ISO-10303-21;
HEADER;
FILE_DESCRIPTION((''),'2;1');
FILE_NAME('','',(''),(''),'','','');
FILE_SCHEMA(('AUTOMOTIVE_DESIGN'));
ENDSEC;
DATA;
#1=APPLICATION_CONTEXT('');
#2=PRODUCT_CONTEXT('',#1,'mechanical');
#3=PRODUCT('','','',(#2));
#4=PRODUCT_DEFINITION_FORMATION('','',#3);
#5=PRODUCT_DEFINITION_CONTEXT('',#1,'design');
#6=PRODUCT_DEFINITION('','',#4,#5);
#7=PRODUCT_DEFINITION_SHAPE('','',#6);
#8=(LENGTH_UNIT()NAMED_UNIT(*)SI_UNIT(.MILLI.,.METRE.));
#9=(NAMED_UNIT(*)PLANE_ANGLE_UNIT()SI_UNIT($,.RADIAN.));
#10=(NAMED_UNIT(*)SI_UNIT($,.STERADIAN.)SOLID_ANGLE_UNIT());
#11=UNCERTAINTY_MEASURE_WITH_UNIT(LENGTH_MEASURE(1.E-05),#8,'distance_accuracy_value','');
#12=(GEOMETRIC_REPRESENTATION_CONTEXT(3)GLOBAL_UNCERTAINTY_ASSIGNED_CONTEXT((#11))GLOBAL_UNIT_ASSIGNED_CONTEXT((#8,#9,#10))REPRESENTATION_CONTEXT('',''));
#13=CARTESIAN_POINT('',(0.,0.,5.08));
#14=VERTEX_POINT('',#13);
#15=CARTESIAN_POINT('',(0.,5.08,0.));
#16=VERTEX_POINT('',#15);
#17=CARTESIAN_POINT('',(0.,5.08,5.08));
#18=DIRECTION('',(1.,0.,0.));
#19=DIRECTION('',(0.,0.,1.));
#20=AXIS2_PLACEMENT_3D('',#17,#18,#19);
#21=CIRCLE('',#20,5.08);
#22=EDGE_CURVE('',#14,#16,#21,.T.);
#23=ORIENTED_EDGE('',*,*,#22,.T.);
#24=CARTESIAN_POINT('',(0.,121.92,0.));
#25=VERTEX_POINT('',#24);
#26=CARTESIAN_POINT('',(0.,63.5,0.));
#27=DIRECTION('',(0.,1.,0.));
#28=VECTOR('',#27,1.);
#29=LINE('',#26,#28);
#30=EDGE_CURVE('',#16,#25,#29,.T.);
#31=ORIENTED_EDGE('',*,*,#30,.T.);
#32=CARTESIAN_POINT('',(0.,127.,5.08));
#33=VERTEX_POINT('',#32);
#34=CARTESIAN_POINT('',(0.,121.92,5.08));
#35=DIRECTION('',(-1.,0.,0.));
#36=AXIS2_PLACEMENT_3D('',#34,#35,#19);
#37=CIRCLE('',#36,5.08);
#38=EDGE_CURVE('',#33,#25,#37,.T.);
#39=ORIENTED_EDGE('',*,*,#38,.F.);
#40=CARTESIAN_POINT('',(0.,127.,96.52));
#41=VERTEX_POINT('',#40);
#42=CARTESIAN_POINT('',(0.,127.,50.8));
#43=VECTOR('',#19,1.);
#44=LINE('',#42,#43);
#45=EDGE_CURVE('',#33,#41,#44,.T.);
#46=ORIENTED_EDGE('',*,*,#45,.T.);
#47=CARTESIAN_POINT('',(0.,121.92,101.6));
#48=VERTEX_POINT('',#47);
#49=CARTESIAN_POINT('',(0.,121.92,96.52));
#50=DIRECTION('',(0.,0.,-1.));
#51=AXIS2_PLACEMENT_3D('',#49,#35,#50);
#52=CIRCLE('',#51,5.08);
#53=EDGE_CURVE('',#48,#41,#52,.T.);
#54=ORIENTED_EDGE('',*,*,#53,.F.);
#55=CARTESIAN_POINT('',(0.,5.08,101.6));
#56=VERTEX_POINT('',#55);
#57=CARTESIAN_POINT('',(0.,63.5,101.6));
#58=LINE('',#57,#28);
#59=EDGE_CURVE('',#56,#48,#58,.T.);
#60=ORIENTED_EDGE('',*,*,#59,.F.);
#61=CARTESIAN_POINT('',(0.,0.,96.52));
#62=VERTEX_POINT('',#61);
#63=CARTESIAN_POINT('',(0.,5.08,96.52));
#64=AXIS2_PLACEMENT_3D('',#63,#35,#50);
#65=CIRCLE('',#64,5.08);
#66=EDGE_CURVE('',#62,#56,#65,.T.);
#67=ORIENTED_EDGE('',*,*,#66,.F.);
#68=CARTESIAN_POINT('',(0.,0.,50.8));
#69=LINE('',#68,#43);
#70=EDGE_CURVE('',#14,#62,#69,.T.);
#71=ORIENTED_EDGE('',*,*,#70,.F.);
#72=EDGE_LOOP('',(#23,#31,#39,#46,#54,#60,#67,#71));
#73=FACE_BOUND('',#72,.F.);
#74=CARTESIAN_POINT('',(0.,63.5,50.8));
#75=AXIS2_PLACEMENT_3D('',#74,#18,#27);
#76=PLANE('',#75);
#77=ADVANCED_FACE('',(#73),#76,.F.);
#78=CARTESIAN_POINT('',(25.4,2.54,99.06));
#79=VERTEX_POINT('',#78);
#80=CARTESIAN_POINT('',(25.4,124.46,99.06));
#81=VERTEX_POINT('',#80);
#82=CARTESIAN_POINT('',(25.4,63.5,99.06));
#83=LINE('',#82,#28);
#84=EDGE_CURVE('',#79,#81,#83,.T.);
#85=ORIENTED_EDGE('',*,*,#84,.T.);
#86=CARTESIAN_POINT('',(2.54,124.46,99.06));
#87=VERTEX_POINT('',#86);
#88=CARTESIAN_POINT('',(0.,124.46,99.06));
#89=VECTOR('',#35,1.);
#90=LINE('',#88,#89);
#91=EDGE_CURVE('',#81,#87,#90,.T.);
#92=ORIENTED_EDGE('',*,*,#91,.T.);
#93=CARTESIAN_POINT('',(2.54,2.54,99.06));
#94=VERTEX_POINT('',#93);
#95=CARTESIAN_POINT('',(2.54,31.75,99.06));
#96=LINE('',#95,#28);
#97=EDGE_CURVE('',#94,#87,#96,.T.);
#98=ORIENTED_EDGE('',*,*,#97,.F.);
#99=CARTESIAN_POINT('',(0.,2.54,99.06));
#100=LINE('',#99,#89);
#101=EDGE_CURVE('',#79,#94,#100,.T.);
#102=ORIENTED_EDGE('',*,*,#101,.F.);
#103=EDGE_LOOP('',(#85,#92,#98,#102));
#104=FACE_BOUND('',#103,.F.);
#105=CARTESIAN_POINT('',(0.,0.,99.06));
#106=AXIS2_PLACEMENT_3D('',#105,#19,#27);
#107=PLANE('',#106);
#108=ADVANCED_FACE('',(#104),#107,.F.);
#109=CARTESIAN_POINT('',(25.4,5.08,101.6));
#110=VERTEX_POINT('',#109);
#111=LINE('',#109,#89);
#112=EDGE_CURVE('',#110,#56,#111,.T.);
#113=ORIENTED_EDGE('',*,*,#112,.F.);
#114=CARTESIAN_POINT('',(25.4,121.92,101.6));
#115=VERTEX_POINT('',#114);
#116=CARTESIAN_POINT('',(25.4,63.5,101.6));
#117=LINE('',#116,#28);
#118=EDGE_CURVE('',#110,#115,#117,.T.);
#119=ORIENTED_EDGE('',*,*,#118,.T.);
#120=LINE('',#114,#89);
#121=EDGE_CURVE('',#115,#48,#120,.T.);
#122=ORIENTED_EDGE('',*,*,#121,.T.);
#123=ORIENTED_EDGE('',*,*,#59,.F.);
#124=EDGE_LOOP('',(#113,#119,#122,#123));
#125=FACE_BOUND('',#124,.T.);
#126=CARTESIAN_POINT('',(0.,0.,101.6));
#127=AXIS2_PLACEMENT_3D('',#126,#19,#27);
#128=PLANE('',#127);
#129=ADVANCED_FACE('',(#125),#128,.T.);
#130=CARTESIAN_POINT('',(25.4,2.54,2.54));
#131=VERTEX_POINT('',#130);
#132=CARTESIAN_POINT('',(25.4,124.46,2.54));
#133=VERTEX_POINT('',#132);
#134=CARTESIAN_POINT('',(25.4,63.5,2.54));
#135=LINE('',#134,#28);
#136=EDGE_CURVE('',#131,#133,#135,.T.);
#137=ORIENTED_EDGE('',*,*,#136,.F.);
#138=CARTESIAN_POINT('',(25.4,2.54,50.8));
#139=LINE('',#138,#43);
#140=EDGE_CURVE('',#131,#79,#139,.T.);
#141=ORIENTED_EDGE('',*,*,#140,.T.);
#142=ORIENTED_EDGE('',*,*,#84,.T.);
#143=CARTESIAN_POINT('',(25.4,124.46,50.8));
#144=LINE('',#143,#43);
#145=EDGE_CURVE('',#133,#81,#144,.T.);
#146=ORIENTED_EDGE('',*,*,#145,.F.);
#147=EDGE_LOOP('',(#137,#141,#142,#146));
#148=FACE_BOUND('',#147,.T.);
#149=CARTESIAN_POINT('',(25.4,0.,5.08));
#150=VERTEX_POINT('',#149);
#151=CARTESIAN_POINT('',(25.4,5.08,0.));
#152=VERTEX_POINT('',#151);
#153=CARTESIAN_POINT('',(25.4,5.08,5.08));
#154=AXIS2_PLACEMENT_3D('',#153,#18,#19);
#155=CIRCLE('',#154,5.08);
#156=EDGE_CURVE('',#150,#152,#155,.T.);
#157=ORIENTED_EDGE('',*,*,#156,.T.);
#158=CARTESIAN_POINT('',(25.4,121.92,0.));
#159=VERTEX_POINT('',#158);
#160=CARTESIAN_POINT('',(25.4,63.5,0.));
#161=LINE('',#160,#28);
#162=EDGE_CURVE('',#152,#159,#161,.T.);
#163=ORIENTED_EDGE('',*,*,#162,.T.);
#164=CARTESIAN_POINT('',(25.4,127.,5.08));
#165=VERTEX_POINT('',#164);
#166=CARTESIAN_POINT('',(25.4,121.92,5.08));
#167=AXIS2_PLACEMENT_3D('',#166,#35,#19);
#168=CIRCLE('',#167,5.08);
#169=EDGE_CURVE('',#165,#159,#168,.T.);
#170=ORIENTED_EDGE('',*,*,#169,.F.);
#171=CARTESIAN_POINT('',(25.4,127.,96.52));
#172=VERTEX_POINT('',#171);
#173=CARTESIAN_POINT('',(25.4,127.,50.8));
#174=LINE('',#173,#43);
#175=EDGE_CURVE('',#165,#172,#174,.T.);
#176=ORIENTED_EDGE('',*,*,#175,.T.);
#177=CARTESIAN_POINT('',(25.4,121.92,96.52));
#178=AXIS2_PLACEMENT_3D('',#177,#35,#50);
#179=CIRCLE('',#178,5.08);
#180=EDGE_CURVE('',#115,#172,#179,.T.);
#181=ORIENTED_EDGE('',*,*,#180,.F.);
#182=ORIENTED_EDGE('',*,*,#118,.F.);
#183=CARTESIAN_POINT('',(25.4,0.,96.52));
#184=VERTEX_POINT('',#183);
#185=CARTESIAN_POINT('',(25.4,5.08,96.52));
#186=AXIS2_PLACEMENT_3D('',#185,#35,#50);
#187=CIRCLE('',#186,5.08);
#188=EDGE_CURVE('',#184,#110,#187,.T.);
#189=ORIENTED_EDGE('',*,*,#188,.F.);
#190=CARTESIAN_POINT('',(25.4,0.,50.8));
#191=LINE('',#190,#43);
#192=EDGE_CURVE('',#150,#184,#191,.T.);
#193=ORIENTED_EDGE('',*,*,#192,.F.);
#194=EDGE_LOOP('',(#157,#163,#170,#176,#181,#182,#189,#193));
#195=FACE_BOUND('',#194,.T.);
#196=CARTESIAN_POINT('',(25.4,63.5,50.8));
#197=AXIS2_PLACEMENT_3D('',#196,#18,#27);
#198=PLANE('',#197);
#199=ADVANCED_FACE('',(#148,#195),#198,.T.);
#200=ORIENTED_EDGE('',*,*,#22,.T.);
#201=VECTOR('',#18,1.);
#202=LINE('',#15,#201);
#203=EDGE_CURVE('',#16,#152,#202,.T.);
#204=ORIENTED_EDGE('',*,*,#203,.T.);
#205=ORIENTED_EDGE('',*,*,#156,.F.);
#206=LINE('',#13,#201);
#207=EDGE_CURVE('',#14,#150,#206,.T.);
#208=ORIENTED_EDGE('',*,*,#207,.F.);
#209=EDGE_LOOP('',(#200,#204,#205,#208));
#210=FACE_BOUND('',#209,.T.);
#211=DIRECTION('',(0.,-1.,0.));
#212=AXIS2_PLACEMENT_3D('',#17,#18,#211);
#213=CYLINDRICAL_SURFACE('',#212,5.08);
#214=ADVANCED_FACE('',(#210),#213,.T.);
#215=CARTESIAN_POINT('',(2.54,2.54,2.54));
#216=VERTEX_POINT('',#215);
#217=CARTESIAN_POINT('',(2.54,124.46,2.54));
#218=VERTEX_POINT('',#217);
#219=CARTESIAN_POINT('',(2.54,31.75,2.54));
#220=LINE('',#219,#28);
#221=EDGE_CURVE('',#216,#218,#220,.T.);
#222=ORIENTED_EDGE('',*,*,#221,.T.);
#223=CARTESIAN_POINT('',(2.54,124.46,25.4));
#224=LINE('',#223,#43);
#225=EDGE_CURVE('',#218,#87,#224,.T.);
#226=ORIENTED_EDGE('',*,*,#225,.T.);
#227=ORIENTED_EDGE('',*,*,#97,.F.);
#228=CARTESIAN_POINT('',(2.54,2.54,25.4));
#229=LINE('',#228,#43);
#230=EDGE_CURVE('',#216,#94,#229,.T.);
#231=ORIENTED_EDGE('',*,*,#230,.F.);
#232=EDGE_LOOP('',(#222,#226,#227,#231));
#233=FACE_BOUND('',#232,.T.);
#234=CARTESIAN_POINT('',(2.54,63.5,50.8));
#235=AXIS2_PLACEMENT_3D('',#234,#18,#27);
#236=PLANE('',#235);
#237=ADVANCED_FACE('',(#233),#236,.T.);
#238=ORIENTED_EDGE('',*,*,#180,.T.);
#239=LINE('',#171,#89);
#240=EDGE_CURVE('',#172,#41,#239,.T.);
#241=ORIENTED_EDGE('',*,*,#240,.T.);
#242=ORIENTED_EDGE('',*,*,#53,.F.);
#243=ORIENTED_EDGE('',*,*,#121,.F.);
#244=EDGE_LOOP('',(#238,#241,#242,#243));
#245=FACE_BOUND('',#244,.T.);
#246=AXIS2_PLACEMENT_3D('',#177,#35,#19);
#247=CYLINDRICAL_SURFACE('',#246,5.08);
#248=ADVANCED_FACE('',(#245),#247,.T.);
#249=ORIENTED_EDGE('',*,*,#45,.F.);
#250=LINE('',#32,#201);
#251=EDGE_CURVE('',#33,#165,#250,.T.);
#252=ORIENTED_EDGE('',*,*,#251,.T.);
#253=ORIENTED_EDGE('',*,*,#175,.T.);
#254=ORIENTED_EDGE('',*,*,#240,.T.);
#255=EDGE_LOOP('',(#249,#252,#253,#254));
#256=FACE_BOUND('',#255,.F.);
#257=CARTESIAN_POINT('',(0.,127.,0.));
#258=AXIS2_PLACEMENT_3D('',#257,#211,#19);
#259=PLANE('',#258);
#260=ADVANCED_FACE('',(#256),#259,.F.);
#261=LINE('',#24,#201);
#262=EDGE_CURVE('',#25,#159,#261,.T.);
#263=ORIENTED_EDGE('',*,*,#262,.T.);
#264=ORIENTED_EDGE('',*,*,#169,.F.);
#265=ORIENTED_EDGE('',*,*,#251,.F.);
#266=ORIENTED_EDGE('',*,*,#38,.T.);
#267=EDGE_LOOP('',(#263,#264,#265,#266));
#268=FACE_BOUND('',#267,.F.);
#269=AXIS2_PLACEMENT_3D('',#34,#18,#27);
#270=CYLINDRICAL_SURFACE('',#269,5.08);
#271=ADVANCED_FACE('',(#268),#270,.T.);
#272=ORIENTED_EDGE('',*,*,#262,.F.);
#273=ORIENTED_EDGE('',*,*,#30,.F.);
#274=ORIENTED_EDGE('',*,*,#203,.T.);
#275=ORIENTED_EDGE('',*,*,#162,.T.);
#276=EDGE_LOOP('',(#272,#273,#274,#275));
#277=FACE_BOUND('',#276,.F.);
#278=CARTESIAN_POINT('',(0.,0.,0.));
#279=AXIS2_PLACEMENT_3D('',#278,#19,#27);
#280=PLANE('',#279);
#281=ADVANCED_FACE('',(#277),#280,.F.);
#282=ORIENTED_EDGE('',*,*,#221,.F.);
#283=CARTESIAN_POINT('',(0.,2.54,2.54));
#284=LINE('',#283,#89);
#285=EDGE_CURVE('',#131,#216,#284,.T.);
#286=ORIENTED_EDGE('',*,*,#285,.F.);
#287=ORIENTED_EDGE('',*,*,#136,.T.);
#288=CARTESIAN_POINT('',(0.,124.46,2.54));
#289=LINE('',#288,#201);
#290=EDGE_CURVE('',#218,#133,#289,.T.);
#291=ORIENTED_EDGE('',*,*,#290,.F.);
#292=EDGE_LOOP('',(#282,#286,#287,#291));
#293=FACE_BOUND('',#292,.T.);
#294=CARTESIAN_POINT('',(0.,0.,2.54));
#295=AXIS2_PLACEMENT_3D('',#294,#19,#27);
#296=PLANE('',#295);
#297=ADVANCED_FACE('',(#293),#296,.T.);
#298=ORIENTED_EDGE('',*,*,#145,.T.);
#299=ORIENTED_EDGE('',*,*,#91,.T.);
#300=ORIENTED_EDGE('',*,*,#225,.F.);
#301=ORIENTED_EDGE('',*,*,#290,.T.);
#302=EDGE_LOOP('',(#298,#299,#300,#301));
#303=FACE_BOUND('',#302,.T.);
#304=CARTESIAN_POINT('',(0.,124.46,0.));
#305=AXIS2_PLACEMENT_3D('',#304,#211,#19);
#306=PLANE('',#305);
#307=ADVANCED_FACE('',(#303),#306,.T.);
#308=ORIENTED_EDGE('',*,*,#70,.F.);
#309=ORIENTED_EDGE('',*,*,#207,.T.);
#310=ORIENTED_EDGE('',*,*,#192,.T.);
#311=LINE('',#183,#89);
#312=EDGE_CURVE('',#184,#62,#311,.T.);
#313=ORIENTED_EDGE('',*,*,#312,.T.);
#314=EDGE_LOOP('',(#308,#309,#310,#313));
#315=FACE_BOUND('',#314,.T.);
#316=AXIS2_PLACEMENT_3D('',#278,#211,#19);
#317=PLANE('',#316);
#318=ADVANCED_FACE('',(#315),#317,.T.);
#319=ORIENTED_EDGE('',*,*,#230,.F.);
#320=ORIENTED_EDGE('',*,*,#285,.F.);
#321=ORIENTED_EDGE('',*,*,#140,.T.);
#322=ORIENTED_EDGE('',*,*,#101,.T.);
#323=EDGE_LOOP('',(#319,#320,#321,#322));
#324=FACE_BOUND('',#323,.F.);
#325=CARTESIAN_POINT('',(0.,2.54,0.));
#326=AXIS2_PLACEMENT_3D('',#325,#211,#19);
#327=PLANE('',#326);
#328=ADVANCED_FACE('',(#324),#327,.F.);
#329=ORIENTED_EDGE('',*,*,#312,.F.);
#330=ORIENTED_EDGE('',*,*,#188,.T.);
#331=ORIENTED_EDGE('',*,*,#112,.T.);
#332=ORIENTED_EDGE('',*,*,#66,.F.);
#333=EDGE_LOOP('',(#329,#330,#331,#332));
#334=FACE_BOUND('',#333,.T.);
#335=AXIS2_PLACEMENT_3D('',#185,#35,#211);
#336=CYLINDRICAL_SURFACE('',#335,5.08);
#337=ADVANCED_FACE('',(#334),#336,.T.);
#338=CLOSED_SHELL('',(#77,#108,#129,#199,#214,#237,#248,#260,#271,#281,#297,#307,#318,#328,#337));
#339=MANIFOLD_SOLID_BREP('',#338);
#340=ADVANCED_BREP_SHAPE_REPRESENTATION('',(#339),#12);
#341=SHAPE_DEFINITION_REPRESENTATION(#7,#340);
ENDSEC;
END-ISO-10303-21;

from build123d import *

# Parameters (mm, degrees)
F0_W     = 127
F0_H     = 101.6
F1_DEPTH = 25.4
F2_DEPTH = 6.35
F3_T     = -2.54
F4_R     = 5.08


with BuildPart() as f1:
    # F0 (on Right) → F1 (new body)
    with BuildSketch(Plane.YZ):
        with Locations((63.5, 50.8)):
            Rectangle(F0_W, F0_H)
    extrude(amount=F1_DEPTH)

    # F0 (on Right) → F2 (join)
    with BuildSketch(Plane.YZ):
        with Locations((63.5, 50.8)):
            Rectangle(F0_W, F0_H)
    extrude(amount=F2_DEPTH)

    # F3
    f3_openings = [f1.faces().sort_by_distance(p)[0] for p in [
        (25.4, 63.5, 50.8),
    ]]
    offset(amount=F3_T, openings=f3_openings)

    # F4
    f4_edges = [f1.edges().sort_by_distance(p)[0] for p in [
        (12.7, 0, 101.6),
        (12.7, 0, 0),
        (12.7, 127, 0),
        (12.7, 127, 101.6),
    ]]
    fillet(f4_edges, radius=F4_R)


solid = f1.part
